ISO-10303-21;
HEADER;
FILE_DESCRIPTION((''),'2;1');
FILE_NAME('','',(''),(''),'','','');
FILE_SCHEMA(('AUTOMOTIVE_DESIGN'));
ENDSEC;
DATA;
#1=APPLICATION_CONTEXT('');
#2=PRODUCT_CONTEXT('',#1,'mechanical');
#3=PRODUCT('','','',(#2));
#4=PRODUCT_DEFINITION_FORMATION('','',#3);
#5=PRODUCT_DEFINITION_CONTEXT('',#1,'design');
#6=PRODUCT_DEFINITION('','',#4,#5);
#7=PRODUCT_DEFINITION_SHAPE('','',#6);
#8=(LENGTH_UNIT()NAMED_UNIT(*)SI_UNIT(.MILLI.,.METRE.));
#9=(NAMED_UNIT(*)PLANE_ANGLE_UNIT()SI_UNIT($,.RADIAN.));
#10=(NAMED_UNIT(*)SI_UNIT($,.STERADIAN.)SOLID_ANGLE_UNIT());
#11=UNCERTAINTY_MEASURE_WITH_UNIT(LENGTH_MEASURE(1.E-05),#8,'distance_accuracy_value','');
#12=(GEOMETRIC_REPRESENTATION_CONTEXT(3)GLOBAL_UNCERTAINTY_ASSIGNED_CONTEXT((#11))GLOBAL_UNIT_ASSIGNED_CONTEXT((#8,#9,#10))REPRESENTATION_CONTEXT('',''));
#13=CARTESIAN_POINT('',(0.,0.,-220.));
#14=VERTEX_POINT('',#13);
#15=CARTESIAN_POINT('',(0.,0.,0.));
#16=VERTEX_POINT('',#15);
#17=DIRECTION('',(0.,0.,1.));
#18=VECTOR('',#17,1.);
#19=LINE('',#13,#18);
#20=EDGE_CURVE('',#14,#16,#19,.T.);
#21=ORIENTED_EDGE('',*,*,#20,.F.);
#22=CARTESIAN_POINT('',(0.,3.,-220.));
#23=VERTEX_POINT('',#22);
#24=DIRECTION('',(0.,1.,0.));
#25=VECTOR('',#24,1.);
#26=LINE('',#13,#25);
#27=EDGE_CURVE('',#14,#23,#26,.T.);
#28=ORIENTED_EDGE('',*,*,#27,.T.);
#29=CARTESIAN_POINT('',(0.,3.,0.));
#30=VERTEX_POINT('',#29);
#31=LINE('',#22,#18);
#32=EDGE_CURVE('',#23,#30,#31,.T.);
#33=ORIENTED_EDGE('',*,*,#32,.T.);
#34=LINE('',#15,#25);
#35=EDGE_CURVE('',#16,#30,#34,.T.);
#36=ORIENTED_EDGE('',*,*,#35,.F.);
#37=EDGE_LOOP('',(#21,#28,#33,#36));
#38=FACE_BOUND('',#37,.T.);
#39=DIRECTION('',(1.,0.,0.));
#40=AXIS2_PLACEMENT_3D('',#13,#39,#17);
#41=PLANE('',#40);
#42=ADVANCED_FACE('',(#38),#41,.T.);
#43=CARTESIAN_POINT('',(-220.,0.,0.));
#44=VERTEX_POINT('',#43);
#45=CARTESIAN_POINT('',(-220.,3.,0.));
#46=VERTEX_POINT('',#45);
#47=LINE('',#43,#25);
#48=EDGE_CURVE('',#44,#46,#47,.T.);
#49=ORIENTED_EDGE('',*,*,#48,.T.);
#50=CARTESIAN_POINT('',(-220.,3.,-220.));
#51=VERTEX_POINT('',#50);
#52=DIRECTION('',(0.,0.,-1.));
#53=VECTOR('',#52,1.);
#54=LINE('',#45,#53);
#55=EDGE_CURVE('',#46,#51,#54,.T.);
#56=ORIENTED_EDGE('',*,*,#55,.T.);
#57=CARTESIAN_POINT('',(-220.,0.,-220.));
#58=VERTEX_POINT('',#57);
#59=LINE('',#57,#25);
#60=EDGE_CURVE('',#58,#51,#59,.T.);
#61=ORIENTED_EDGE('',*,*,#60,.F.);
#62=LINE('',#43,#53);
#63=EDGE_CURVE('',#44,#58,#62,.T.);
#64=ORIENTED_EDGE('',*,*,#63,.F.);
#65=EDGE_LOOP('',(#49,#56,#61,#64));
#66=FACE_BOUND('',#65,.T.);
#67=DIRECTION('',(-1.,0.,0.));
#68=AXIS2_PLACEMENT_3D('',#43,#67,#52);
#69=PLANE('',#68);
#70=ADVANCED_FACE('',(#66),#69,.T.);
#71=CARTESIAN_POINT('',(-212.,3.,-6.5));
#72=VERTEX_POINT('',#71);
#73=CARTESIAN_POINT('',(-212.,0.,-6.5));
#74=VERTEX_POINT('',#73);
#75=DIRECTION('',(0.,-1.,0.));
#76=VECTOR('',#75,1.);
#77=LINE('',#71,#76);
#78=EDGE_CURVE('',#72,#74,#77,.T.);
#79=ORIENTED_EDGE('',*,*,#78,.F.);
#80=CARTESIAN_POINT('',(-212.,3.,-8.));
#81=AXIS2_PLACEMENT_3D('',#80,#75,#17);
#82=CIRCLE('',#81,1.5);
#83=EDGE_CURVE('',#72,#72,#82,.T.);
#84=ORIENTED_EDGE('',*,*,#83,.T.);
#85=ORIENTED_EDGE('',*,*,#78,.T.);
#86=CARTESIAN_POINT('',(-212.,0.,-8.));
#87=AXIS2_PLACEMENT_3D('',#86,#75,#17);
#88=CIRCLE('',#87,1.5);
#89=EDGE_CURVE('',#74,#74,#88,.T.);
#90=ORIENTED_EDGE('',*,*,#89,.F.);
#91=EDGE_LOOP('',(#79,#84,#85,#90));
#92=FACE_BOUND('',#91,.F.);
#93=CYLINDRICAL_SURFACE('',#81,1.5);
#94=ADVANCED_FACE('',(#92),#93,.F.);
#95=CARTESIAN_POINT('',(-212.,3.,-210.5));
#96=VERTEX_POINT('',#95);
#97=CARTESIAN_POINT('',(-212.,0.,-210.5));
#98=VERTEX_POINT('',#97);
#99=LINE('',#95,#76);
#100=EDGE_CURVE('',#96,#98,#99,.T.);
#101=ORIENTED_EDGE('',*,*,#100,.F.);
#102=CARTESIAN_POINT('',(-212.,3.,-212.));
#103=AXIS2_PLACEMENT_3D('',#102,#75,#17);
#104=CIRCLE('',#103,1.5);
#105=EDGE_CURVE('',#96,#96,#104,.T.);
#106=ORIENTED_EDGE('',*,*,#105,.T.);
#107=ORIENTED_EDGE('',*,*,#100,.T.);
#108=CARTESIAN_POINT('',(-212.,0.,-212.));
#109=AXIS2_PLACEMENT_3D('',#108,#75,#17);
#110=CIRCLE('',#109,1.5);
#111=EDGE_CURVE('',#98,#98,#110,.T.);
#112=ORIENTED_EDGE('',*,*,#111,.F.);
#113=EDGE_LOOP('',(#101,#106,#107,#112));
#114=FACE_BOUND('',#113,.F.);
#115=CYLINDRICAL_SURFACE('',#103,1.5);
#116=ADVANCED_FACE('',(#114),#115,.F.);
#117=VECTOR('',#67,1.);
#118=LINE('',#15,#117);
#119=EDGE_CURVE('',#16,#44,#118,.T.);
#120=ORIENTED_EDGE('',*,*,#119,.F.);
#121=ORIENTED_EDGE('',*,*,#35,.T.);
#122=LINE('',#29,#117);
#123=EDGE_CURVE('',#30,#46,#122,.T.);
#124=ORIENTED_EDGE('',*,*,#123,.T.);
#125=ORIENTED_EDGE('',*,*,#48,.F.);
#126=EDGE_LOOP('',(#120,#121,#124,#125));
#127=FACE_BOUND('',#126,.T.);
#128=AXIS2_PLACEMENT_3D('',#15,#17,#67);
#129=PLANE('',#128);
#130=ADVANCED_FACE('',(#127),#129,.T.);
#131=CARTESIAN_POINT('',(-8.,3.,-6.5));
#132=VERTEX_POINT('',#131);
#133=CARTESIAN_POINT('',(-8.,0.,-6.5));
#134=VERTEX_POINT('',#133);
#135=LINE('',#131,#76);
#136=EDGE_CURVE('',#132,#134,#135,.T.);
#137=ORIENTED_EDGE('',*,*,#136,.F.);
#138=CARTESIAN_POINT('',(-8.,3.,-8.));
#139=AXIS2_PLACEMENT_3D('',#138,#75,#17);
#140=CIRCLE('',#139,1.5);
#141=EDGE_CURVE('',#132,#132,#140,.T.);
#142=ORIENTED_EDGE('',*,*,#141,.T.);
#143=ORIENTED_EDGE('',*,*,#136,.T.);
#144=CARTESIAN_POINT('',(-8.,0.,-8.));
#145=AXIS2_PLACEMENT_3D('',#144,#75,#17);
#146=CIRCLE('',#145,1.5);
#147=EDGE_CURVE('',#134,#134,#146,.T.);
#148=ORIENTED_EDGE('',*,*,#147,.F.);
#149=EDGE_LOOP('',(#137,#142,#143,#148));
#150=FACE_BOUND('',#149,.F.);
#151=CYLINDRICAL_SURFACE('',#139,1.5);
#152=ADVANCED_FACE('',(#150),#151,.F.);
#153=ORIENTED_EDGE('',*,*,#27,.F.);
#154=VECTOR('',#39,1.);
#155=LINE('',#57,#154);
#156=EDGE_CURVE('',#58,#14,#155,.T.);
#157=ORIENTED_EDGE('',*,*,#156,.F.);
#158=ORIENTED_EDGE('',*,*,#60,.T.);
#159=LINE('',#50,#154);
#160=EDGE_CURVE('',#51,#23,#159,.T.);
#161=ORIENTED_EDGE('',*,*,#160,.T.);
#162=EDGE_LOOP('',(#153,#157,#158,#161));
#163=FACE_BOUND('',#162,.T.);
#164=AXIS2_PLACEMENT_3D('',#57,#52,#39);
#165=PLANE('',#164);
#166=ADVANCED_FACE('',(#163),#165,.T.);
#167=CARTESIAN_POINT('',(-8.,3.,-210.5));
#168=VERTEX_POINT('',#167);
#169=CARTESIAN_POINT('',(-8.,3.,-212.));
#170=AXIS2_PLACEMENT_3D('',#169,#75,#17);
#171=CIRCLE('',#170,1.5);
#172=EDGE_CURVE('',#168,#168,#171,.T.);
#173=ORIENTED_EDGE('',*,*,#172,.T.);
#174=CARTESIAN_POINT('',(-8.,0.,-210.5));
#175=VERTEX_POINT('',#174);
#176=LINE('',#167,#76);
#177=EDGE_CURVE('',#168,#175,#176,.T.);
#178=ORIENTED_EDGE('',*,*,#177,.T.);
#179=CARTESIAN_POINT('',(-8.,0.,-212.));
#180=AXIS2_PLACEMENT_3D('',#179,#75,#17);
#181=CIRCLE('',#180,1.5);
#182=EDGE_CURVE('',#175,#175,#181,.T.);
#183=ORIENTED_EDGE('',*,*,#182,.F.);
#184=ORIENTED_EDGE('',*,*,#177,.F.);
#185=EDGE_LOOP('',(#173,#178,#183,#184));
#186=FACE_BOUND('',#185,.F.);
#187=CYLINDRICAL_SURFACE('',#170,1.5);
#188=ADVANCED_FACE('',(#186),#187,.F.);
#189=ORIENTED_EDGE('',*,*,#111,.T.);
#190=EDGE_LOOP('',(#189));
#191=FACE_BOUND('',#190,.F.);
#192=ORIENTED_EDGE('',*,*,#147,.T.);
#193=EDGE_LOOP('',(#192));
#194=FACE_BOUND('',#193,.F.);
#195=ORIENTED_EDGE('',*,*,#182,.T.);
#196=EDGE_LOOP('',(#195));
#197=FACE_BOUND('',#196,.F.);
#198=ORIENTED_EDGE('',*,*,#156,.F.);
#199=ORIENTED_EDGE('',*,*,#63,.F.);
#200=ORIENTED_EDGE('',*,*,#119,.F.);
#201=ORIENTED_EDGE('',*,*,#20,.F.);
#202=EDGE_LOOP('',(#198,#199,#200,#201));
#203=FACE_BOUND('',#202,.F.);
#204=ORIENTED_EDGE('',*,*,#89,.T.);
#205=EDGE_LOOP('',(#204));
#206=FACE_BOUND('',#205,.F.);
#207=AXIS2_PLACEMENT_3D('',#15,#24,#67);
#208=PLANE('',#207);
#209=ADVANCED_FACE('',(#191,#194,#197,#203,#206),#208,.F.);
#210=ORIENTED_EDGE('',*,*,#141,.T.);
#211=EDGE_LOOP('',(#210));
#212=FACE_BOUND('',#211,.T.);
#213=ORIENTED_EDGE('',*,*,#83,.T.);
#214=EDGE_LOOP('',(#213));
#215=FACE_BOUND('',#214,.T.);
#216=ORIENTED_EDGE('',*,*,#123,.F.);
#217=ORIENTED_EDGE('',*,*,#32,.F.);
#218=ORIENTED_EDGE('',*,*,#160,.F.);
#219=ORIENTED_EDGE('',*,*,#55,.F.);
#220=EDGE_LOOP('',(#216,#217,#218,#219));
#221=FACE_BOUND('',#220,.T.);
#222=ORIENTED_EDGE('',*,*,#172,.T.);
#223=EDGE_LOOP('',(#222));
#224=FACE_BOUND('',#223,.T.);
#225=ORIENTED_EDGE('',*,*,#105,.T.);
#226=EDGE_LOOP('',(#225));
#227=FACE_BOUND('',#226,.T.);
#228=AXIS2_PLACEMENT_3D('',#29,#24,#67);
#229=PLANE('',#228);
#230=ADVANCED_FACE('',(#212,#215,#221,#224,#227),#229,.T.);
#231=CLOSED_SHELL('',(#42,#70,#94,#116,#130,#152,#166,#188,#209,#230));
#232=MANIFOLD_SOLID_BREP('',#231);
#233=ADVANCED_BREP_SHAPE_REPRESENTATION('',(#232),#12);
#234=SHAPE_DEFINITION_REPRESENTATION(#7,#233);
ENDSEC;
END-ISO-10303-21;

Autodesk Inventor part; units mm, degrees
ref_plane "YZ Plane" through (0, 0, 0) normal (1, 0, 0) x (0, 1, 0)
ref_plane "XZ Plane" through (0, 0, 0) normal (0, 1, 0) x (-1, 0, 0)
ref_plane "XY Plane" through (0, 0, 0) normal (0, 0, 1) x (1, 0, 0)
sketch "Sketch1" plane through (0, 0, 0) normal (0, 1, 0) x (-1, 0, 0)
  line L0 (0, 0) -> (220, 0)
  line L1 (220, 0) -> (220, -220)
  line L2 (220, -220) -> (0, -220)
  line L3 (0, -220) -> (0, 0)
  dimension "d0" = 220
  dimension "d1" = 220
extrude "Extrusion1" add sketch "Sketch1" along normal blind 3
hole "Hole1" at (-8, 3, -8) direction (0, -1, 0) diameter 3 end through all
hole "Hole2" at (-8, 3, -212) direction (0, -1, 0) diameter 3 end through all
hole "Hole3" at (-212, 3, -8) direction (0, -1, 0) diameter 3 end through all
hole "Hole4" at (-212, 3, -212) direction (0, -1, 0) diameter 3 end through all
properties part number "YCarriage" material "Dibond Yellow"
